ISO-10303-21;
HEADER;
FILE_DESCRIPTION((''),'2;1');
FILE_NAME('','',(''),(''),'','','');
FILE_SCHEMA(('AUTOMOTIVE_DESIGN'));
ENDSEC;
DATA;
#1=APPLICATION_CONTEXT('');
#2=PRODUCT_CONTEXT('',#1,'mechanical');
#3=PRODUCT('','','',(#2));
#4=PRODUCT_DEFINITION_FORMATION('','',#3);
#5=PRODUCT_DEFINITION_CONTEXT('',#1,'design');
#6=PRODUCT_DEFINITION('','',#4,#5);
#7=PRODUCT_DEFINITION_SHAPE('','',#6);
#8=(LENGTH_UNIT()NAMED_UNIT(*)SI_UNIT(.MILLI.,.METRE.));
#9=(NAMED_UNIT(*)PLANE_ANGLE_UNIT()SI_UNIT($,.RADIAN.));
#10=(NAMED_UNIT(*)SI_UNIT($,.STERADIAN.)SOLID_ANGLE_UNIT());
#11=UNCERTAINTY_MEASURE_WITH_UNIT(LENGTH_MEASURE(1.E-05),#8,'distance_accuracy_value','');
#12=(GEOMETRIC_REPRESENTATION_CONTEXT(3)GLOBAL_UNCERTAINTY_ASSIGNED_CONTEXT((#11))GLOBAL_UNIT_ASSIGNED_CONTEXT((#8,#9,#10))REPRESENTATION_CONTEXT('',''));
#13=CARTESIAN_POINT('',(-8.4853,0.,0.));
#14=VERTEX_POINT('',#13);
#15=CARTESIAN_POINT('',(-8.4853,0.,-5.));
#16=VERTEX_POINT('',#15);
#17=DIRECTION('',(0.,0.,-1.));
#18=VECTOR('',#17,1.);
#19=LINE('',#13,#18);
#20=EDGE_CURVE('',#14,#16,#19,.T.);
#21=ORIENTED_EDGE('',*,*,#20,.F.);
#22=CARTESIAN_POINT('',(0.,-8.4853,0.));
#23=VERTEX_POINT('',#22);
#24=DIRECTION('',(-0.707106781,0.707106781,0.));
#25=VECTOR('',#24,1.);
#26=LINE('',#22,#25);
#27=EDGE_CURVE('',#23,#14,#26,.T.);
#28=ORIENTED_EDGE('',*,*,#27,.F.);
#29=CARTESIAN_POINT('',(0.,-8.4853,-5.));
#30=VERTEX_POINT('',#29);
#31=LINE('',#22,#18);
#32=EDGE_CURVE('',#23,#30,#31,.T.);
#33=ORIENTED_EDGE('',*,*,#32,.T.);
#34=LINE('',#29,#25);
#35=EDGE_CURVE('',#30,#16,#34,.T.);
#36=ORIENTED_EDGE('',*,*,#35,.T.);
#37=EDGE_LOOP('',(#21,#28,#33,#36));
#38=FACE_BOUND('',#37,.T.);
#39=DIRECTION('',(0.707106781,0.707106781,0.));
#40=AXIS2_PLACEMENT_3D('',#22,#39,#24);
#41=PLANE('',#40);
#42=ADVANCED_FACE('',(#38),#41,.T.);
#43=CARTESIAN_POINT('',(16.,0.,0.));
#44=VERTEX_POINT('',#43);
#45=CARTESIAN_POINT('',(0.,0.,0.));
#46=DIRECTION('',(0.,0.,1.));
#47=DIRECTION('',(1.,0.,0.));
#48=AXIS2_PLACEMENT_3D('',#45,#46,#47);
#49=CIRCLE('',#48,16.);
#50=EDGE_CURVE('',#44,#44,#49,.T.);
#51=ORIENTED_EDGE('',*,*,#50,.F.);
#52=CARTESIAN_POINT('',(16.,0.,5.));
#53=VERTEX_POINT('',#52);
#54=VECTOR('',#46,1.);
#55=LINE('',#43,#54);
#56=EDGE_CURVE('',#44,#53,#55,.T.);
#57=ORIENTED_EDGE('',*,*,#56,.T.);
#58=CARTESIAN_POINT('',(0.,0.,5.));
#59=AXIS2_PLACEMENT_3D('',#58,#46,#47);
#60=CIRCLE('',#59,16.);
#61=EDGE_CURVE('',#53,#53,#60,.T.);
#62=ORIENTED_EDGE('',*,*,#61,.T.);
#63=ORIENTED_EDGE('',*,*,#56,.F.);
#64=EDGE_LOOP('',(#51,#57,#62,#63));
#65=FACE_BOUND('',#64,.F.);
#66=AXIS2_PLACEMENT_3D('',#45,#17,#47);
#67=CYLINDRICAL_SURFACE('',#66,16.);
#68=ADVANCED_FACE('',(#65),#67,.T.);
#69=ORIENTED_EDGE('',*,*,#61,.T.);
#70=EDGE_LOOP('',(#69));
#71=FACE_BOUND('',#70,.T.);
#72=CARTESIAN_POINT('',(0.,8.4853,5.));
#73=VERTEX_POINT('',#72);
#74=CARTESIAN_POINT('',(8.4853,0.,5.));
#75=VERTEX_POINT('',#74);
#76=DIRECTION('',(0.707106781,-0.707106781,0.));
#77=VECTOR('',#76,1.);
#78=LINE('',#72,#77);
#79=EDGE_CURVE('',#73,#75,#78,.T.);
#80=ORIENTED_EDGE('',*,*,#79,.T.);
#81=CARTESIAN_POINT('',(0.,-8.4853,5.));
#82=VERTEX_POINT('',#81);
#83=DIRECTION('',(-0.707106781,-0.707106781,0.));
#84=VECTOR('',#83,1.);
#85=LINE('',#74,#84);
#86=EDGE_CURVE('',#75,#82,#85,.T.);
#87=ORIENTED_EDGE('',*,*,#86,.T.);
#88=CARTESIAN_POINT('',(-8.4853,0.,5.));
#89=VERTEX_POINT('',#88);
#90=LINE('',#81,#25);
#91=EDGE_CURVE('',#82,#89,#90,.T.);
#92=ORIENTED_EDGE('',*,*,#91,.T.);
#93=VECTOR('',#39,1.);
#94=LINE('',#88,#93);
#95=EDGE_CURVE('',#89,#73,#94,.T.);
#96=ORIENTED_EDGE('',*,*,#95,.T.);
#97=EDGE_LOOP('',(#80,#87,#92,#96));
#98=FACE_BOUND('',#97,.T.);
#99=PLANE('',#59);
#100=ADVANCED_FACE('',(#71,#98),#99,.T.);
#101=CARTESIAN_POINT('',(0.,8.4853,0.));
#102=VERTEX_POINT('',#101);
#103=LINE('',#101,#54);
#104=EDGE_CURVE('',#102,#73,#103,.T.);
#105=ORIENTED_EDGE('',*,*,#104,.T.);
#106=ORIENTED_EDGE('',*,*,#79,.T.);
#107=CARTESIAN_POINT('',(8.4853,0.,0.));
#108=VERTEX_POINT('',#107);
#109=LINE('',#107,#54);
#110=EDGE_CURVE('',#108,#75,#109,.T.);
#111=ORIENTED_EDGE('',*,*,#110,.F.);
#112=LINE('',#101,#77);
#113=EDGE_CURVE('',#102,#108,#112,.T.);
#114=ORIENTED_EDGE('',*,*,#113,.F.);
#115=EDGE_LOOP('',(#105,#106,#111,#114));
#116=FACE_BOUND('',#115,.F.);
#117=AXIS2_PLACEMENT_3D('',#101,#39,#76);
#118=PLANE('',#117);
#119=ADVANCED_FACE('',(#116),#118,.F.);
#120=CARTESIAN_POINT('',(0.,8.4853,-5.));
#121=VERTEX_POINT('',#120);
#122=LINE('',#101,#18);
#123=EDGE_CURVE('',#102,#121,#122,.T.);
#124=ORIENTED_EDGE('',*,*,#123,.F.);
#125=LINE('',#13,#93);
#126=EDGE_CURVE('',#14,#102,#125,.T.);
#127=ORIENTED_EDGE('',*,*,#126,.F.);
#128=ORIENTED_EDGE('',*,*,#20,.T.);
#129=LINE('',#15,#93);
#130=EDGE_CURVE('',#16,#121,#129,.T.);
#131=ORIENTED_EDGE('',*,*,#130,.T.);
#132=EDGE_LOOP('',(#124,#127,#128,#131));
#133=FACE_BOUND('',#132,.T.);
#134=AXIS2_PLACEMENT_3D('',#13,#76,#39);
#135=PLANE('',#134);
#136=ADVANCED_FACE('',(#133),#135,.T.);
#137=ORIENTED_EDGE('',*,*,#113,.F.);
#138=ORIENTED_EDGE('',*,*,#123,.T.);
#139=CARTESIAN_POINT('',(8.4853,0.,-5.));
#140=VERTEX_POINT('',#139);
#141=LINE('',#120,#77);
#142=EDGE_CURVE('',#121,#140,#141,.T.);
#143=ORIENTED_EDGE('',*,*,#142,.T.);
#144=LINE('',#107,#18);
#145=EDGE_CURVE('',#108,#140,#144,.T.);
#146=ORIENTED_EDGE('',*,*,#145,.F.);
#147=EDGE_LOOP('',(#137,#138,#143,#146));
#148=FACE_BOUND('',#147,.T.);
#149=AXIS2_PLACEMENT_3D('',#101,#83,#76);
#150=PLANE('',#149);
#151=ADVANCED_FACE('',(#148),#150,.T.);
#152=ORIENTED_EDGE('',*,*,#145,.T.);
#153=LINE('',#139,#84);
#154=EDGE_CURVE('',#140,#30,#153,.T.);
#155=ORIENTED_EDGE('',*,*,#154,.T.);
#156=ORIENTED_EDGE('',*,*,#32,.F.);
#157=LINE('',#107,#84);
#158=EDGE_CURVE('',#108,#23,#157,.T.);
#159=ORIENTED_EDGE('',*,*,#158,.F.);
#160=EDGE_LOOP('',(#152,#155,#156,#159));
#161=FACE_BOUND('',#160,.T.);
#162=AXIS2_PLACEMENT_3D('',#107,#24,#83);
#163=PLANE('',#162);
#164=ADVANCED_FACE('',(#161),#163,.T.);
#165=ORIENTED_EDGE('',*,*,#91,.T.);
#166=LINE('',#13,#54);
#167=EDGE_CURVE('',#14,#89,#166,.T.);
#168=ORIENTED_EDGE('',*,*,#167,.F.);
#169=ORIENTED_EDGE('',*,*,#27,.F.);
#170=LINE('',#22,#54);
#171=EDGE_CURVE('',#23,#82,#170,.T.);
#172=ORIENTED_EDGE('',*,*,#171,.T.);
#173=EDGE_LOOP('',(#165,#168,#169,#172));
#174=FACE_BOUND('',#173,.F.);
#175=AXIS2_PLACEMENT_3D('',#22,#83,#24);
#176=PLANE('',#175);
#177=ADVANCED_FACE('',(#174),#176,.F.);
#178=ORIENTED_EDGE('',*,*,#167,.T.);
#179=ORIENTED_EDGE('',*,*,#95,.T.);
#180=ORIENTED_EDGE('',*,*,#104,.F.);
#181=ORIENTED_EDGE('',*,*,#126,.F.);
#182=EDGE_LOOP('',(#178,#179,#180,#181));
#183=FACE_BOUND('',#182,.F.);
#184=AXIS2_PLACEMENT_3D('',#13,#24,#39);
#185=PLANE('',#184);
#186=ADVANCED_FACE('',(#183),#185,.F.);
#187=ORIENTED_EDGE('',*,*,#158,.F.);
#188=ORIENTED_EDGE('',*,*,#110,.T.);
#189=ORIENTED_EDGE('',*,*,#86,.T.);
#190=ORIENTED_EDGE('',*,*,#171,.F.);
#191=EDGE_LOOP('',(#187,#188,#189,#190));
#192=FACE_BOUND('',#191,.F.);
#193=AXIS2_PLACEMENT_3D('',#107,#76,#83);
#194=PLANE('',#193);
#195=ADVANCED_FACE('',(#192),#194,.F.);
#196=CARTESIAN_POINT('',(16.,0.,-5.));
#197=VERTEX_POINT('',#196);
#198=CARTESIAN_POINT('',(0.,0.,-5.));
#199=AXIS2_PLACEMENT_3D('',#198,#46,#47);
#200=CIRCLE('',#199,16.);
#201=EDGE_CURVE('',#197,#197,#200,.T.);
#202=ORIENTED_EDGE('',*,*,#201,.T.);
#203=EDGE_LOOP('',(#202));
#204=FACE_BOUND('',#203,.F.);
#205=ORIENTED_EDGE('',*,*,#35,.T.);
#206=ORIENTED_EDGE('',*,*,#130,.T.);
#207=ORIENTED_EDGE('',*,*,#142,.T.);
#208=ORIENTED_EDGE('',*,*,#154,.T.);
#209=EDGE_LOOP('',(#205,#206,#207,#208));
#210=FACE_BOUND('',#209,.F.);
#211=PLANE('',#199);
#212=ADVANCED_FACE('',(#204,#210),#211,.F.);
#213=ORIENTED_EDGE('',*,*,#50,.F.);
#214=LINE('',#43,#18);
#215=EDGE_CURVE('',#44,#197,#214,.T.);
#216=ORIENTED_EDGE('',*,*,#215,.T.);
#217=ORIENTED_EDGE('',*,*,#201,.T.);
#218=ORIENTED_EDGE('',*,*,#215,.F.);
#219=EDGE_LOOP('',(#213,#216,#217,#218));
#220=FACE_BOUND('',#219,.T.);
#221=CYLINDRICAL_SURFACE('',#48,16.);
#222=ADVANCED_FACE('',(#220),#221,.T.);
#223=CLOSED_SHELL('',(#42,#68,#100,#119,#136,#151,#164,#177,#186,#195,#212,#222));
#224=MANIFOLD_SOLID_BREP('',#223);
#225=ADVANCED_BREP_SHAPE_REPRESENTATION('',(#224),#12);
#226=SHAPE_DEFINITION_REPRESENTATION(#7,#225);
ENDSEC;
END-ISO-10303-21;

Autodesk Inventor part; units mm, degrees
ref_plane "YZ Plane" through (0, 0, 0) normal (1, 0, 0) x (0, 1, 0)
ref_plane "XZ Plane" through (0, 0, 0) normal (0, 1, 0) x (-1, 0, 0)
ref_plane "XY Plane" through (0, 0, 0) normal (0, 0, 1) x (1, 0, 0)
sketch "Эскиз1" plane through (0, 0, 0) normal (0, 0, 1) x (1, 0, 0)
  circle A0 centre (0, 0) radius 16
  line L0 (0, 8.4853) -> (8.4853, 0)
  line L1 (8.4853, 0) -> (0, -8.4853)
  line L2 (0, -8.4853) -> (-8.4853, 0)
  line L3 (-8.4853, 0) -> (0, 8.4853)
  dimension "d0" = 32
  dimension "d1" = 12
extrude "Выдавливание1" add sketch "Эскиз1" along normal mid plane 10
properties part number "7"
